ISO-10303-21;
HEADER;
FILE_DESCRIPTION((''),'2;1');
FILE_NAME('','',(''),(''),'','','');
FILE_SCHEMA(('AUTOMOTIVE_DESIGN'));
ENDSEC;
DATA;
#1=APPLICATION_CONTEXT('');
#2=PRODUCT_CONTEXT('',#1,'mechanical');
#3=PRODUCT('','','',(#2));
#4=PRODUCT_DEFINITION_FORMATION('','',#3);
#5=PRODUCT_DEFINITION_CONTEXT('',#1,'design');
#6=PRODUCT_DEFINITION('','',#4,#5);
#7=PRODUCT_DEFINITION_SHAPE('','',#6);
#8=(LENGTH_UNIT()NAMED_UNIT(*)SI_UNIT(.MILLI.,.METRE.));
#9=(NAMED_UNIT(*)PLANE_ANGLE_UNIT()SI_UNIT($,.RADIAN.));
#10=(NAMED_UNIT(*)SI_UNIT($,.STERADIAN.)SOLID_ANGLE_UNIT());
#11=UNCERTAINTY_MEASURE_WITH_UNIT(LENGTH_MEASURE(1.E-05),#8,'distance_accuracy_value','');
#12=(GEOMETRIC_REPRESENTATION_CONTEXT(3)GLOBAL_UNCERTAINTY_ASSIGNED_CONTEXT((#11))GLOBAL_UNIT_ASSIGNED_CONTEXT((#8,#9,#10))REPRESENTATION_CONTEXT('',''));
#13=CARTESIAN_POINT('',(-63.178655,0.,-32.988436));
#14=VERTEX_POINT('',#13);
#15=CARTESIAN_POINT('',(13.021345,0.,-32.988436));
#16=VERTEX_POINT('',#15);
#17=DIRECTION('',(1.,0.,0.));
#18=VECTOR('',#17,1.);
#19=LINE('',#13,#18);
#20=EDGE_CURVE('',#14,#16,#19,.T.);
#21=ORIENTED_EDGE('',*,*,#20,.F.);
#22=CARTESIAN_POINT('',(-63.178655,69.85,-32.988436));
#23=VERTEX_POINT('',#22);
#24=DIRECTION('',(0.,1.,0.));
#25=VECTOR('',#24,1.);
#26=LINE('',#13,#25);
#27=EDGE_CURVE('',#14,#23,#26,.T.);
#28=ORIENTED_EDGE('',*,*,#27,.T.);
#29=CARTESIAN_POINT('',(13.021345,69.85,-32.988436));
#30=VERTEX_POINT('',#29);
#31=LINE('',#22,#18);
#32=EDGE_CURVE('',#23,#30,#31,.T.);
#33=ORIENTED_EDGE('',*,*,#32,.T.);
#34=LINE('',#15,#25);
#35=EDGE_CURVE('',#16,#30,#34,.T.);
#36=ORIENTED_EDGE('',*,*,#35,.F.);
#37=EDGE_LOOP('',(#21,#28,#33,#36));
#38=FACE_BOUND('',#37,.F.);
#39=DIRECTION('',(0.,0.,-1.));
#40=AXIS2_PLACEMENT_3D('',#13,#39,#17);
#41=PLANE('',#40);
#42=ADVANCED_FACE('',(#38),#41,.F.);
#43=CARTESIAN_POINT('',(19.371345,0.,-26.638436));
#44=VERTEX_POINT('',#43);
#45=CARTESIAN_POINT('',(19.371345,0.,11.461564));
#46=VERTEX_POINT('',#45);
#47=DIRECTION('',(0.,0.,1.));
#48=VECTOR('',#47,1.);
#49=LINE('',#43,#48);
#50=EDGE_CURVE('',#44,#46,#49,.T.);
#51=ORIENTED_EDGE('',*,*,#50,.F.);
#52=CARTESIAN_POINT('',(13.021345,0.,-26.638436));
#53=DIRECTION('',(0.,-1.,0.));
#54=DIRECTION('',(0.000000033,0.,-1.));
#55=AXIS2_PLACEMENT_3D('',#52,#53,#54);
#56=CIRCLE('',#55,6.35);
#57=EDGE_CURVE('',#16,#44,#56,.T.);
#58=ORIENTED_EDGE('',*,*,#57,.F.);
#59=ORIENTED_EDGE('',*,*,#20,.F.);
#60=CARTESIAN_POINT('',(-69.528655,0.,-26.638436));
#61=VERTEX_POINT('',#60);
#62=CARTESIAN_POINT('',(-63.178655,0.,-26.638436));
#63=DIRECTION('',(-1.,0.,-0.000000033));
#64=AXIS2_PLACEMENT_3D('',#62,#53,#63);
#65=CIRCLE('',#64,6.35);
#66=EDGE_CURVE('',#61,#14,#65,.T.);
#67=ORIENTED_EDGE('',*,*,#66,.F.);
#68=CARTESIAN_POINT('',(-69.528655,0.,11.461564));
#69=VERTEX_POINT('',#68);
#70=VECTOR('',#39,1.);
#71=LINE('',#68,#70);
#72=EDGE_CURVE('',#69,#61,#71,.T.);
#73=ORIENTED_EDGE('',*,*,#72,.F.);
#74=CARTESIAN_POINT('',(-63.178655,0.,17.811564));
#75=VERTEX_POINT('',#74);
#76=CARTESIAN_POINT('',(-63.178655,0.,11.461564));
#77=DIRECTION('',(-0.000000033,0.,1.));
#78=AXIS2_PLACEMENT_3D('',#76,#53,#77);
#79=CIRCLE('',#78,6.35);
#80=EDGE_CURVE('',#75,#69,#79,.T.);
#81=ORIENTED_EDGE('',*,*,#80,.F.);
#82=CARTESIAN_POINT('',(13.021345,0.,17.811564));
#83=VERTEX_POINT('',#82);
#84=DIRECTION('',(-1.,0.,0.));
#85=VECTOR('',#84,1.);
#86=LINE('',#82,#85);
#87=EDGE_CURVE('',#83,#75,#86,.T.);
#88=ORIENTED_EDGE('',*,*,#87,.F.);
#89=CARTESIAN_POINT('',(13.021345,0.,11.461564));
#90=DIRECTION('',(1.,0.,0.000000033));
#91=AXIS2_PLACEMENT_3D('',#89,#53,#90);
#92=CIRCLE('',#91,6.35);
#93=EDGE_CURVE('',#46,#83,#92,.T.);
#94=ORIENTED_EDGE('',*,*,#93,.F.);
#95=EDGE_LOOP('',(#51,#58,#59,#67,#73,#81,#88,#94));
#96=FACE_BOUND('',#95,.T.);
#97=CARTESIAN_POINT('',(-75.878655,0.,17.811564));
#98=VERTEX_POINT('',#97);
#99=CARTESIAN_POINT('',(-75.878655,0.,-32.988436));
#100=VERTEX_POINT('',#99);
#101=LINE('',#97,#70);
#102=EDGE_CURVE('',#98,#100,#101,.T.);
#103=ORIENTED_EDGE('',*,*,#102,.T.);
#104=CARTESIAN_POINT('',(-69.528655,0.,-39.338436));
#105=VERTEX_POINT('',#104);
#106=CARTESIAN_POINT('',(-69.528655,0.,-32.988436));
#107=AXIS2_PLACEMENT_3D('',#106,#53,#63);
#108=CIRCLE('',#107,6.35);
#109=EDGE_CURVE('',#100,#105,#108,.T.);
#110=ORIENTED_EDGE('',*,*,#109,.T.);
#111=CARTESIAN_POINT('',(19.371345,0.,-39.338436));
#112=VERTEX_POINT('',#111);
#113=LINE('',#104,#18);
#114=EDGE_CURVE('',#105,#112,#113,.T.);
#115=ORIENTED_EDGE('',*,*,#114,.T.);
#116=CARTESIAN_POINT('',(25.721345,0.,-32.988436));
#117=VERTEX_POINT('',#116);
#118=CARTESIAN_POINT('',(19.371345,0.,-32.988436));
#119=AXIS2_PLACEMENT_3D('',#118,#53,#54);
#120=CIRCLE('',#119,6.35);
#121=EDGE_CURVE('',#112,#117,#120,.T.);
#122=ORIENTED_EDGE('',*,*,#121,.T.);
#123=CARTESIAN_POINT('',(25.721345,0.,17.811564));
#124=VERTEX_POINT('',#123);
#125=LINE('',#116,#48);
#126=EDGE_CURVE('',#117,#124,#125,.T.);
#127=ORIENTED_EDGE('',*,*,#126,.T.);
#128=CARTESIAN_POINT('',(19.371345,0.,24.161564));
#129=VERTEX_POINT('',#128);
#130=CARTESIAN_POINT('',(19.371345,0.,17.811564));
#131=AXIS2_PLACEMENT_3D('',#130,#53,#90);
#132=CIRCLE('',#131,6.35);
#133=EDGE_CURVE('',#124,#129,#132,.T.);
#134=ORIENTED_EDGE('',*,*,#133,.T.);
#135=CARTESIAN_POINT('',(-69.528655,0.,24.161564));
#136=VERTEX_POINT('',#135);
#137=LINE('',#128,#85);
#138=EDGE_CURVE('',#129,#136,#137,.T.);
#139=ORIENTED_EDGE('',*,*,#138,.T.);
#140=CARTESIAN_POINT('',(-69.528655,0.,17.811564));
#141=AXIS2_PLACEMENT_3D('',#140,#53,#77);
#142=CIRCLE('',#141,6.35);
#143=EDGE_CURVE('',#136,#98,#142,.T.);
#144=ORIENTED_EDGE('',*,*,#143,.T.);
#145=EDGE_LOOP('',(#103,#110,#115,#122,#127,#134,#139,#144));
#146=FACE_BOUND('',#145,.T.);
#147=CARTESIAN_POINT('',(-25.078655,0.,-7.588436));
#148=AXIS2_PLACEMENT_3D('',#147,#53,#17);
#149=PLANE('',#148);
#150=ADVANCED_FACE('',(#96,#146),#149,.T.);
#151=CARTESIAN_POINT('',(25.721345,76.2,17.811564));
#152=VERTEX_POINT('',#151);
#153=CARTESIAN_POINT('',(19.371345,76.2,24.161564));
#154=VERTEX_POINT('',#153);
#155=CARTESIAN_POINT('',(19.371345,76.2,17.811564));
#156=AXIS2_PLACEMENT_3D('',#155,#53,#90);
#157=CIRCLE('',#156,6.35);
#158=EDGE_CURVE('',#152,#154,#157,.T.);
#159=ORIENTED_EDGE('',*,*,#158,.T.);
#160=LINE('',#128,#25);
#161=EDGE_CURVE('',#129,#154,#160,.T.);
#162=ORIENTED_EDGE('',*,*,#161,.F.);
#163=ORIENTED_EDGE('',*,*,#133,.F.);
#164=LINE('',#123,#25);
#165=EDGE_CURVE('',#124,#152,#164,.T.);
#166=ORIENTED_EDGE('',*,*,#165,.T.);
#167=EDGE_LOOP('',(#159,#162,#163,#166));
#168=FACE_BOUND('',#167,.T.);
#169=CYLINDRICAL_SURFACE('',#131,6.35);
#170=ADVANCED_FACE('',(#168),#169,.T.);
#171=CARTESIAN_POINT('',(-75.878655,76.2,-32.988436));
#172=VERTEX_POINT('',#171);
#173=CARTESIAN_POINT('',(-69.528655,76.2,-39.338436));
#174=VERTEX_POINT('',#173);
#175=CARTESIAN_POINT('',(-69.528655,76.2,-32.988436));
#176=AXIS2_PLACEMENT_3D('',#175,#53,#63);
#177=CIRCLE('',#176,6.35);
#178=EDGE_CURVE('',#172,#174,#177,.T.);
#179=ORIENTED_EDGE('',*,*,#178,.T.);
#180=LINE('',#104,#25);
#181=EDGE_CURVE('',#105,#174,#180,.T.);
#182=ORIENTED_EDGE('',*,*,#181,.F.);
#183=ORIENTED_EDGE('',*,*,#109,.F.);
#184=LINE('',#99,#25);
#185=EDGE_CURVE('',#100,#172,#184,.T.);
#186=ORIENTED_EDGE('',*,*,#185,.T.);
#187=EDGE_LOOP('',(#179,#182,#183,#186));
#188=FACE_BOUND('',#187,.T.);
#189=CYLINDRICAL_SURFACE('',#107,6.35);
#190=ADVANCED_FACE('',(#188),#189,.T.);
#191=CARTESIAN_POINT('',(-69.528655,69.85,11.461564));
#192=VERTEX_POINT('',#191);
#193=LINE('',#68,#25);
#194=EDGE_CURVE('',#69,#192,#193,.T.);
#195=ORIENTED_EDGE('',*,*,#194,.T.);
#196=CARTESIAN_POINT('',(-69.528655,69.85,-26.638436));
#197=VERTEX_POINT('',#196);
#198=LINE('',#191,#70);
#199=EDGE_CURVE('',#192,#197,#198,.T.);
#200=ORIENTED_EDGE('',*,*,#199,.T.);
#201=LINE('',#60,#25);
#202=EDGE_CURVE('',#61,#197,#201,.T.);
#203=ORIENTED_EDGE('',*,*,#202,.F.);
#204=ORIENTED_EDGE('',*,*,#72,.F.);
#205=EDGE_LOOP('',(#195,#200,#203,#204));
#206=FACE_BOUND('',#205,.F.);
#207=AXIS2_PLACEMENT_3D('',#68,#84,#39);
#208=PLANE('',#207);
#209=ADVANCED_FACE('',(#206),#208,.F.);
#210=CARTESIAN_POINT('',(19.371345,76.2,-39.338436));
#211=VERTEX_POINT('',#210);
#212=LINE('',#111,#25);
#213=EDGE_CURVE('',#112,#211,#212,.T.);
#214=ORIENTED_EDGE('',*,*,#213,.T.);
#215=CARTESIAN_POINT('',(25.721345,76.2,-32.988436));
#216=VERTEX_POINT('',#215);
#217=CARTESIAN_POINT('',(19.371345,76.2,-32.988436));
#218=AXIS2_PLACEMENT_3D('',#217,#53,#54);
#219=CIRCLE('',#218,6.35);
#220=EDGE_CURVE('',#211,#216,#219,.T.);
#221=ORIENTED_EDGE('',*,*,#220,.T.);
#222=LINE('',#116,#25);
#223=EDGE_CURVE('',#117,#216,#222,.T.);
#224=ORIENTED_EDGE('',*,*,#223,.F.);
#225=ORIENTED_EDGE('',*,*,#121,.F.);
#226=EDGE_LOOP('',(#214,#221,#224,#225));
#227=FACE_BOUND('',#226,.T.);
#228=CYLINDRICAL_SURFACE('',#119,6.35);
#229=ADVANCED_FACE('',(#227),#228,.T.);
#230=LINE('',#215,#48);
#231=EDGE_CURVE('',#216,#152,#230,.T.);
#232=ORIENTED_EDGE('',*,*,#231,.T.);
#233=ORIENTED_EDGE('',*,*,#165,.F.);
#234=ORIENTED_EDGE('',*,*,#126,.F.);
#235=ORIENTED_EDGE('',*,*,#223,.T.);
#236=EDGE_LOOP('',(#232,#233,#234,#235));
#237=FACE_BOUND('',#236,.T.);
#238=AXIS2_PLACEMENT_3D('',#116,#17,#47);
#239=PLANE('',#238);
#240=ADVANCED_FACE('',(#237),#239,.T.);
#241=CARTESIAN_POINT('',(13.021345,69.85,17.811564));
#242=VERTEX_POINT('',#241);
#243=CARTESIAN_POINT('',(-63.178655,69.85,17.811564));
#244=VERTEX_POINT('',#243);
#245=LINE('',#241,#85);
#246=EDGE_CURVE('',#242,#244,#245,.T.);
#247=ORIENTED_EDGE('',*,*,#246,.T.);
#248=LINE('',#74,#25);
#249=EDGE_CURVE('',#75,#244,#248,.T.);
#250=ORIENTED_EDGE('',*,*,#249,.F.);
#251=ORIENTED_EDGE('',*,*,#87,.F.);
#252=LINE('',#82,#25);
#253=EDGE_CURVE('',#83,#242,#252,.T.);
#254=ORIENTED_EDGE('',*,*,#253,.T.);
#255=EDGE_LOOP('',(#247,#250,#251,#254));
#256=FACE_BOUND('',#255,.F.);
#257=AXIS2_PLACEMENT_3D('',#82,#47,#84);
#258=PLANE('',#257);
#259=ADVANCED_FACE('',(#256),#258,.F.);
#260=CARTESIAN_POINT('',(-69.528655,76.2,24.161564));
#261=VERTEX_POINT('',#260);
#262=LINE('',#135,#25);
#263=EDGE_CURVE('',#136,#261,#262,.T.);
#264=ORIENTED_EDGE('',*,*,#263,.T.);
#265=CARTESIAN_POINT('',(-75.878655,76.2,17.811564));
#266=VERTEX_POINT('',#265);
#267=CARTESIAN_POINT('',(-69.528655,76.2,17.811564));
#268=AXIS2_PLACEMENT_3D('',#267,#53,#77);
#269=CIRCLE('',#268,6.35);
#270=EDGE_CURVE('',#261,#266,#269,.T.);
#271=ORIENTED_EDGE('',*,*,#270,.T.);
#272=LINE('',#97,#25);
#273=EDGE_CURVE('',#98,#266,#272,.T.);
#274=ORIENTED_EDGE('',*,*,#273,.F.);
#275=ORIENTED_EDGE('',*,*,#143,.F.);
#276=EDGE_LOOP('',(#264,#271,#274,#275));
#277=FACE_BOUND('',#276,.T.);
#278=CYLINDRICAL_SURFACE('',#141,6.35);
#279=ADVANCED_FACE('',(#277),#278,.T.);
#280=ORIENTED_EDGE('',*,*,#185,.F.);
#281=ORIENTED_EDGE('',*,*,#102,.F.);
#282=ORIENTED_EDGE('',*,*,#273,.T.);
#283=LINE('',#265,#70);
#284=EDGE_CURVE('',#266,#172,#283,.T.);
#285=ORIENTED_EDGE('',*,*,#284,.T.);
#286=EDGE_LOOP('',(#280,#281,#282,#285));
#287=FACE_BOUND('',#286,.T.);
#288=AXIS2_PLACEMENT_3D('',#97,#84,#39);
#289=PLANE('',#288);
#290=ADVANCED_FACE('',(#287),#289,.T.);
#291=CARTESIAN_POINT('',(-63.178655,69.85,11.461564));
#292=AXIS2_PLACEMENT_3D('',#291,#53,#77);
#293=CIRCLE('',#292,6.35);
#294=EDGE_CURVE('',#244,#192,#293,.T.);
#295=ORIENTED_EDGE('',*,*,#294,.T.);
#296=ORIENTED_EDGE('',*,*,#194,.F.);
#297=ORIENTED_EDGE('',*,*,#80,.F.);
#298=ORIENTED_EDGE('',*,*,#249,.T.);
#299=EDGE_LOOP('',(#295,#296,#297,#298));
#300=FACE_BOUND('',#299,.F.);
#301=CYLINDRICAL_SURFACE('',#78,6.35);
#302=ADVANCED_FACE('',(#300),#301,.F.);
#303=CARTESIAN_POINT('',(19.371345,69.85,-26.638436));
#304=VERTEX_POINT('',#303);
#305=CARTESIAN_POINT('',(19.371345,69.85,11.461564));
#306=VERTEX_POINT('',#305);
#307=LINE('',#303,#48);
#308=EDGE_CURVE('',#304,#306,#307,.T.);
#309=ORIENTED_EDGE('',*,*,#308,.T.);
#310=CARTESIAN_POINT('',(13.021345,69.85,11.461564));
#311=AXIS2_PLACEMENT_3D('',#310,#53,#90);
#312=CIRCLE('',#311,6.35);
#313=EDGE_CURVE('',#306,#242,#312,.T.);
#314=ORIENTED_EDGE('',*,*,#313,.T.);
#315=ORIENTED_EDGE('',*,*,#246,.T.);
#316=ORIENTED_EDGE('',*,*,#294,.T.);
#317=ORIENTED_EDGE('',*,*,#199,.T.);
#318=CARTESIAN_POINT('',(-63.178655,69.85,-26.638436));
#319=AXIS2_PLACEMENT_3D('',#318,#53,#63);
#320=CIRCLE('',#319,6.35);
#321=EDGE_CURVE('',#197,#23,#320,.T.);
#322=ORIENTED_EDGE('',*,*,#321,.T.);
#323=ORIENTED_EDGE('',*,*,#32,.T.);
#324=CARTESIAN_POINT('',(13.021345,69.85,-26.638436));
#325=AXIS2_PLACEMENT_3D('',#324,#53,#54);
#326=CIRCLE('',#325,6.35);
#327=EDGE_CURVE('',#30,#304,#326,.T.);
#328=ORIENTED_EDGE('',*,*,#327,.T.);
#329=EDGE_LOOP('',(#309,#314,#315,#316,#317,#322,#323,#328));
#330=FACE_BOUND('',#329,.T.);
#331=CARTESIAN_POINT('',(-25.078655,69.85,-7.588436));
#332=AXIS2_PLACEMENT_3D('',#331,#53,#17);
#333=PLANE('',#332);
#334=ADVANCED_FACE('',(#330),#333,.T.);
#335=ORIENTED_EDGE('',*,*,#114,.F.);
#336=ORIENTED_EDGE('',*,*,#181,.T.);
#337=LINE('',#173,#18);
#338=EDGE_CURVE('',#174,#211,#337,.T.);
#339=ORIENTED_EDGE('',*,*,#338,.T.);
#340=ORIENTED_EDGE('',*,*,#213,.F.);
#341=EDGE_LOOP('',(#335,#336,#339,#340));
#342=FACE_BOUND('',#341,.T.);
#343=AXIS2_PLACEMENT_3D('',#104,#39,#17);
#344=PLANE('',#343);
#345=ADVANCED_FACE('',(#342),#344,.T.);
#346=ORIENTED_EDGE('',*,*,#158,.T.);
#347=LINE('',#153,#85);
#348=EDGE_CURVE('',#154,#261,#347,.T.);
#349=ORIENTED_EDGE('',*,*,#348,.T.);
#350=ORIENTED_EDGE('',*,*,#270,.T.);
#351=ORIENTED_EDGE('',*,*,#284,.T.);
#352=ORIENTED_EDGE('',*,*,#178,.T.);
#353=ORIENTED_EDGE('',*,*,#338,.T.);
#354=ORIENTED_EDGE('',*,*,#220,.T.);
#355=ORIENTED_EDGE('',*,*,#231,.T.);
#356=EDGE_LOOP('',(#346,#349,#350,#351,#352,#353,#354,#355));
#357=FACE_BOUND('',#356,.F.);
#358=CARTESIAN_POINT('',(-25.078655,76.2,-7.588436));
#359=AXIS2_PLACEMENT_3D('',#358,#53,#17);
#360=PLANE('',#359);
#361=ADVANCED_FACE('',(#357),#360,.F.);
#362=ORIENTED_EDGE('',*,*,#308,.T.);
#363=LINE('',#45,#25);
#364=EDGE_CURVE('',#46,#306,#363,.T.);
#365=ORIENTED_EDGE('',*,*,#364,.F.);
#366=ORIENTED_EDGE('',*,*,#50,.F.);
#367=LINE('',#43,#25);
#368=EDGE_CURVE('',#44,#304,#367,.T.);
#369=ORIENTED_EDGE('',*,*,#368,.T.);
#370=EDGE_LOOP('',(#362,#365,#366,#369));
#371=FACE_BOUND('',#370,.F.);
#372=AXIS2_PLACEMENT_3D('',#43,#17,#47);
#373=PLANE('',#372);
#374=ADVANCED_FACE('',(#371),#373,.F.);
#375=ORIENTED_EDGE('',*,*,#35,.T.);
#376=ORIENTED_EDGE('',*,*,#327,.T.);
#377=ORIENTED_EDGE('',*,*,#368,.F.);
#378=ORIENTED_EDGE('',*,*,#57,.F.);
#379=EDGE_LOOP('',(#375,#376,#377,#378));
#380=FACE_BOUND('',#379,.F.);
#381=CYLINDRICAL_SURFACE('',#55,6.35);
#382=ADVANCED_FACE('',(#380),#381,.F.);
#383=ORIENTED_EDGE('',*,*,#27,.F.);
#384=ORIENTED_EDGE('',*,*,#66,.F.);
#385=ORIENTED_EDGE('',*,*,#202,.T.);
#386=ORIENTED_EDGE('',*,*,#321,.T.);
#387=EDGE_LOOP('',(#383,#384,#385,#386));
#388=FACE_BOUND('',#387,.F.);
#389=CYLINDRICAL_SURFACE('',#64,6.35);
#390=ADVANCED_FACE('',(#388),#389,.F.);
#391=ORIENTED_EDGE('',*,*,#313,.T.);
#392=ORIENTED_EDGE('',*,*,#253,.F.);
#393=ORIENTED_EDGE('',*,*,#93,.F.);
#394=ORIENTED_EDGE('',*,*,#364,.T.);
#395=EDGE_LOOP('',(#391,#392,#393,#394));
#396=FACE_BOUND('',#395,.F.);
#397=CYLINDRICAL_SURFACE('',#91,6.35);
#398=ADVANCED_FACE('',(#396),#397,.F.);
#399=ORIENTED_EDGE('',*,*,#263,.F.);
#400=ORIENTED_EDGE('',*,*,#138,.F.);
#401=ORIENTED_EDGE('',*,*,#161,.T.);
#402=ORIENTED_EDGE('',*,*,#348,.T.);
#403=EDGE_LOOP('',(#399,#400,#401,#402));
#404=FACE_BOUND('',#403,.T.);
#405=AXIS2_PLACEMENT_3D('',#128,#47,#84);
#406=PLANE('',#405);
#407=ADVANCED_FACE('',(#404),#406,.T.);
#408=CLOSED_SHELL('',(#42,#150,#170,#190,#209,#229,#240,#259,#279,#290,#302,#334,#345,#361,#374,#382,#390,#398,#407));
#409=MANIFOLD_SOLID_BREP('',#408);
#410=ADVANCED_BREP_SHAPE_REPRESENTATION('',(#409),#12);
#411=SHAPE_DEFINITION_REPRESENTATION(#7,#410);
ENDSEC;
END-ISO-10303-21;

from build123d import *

# Parameters (mm, degrees)
F1_DEPTH = 76.2
F3_DEPTH = 69.85


with BuildPart() as f1:
    # F0 (on Front) → F1 (new body)
    with BuildSketch(Plane.XZ):
        with BuildLine():
            Line((19.371345, 24.161564), (-69.528655, 24.161564))
            ThreePointArc((-69.528655, 24.161564), (-74.018783, 22.301692), (-75.878655, 17.811564))
            Line((-75.878655, 17.811564), (-75.878655, -32.988436))
            ThreePointArc((-75.878655, -32.988436), (-74.018783, -37.478564), (-69.528655, -39.338436))
            Line((-69.528655, -39.338436), (19.371345, -39.338436))
            ThreePointArc((19.371345, -39.338436), (23.861473, -37.478564), (25.721345, -32.988436))
            Line((25.721345, -32.988436), (25.721345, 17.811564))
            ThreePointArc((25.721345, 17.811564), (23.861473, 22.301692), (19.371345, 24.161564))
        make_face()
    extrude(amount=-F1_DEPTH)

    # F2 (on face) → F3 (cut)
    with BuildSketch(Plane.XZ):
        with BuildLine():
            Line((13.021345, 17.811564), (-63.178655, 17.811564))
            ThreePointArc((-63.178655, 17.811564), (-67.668783, 15.951692), (-69.528655, 11.461564))
            Line((-69.528655, 11.461564), (-69.528655, -26.638436))
            ThreePointArc((-69.528655, -26.638436), (-67.668783, -31.128564), (-63.178655, -32.988436))
            Line((-63.178655, -32.988436), (13.021345, -32.988436))
            ThreePointArc((13.021345, -32.988436), (17.511473, -31.128564), (19.371345, -26.638436))
            Line((19.371345, -26.638436), (19.371345, 11.461564))
            ThreePointArc((19.371345, 11.461564), (17.511473, 15.951692), (13.021345, 17.811564))
        make_face()
    extrude(amount=-F3_DEPTH, mode=Mode.SUBTRACT)


solid = f1.part
